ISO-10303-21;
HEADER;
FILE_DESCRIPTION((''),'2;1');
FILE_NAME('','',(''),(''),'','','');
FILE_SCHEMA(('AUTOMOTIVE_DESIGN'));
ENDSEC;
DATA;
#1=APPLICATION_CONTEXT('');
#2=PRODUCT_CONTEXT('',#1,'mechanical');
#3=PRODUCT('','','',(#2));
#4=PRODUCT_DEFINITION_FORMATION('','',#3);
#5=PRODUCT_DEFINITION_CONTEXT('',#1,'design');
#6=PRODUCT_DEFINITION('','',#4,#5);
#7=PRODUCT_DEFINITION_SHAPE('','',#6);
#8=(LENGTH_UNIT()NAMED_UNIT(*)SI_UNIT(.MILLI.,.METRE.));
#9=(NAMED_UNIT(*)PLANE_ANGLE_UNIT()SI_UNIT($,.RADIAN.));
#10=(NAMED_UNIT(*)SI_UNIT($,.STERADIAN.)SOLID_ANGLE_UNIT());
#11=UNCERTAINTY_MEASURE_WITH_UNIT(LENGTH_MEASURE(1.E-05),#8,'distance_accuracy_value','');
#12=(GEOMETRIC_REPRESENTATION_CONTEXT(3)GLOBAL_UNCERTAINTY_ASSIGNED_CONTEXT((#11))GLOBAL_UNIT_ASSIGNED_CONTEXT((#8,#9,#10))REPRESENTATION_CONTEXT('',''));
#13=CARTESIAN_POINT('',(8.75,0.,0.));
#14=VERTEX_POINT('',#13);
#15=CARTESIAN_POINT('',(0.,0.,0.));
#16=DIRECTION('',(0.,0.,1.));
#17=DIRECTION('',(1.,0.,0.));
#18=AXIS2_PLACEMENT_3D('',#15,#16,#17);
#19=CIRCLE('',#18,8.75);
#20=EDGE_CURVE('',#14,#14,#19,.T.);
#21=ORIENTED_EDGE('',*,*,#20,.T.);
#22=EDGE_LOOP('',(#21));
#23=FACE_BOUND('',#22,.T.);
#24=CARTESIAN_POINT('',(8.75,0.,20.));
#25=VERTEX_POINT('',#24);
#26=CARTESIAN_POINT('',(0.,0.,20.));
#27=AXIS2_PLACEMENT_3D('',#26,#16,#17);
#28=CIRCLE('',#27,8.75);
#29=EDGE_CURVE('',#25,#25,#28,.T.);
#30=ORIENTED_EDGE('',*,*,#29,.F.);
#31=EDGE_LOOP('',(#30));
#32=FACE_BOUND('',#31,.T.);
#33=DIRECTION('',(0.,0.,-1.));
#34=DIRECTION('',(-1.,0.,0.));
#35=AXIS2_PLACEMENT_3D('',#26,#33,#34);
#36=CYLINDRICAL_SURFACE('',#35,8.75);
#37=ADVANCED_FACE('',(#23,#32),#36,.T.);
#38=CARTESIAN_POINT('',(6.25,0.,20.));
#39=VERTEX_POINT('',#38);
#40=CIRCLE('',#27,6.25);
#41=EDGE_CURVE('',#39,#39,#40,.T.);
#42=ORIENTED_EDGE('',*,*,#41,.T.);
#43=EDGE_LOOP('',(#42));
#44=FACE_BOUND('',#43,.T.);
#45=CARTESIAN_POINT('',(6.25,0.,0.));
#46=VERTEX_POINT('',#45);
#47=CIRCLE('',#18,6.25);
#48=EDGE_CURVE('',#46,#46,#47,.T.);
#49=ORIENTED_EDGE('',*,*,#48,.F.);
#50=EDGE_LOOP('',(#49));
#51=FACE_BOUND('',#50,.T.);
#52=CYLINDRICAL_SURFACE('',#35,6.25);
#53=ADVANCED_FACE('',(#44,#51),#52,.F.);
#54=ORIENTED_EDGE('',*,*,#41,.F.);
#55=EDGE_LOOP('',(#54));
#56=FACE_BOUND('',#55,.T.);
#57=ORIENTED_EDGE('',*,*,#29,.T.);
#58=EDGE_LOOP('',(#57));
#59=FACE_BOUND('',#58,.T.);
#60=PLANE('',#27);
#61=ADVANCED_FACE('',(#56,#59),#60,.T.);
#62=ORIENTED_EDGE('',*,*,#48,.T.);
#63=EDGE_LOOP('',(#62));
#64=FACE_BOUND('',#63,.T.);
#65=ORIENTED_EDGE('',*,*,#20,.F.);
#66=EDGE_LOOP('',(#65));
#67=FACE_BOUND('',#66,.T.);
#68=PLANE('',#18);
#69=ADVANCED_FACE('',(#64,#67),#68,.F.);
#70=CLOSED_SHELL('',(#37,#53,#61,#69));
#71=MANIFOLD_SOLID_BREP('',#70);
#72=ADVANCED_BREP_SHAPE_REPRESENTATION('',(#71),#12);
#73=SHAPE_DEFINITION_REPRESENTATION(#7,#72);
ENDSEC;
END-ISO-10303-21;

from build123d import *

# Parameters (mm, degrees)
SKETCH1_R           = 8.75
SKETCH1_R_2         = 6.25
EXTRUDE_THIN1_DEPTH = 20


with BuildPart() as part:
    # Sketch1 → Extrude-Thin1 (new body)
    with BuildSketch(Plane.XY):
        Circle(SKETCH1_R)
        Circle(SKETCH1_R_2, mode=Mode.SUBTRACT)
    extrude(amount=EXTRUDE_THIN1_DEPTH)


solid = part.part
